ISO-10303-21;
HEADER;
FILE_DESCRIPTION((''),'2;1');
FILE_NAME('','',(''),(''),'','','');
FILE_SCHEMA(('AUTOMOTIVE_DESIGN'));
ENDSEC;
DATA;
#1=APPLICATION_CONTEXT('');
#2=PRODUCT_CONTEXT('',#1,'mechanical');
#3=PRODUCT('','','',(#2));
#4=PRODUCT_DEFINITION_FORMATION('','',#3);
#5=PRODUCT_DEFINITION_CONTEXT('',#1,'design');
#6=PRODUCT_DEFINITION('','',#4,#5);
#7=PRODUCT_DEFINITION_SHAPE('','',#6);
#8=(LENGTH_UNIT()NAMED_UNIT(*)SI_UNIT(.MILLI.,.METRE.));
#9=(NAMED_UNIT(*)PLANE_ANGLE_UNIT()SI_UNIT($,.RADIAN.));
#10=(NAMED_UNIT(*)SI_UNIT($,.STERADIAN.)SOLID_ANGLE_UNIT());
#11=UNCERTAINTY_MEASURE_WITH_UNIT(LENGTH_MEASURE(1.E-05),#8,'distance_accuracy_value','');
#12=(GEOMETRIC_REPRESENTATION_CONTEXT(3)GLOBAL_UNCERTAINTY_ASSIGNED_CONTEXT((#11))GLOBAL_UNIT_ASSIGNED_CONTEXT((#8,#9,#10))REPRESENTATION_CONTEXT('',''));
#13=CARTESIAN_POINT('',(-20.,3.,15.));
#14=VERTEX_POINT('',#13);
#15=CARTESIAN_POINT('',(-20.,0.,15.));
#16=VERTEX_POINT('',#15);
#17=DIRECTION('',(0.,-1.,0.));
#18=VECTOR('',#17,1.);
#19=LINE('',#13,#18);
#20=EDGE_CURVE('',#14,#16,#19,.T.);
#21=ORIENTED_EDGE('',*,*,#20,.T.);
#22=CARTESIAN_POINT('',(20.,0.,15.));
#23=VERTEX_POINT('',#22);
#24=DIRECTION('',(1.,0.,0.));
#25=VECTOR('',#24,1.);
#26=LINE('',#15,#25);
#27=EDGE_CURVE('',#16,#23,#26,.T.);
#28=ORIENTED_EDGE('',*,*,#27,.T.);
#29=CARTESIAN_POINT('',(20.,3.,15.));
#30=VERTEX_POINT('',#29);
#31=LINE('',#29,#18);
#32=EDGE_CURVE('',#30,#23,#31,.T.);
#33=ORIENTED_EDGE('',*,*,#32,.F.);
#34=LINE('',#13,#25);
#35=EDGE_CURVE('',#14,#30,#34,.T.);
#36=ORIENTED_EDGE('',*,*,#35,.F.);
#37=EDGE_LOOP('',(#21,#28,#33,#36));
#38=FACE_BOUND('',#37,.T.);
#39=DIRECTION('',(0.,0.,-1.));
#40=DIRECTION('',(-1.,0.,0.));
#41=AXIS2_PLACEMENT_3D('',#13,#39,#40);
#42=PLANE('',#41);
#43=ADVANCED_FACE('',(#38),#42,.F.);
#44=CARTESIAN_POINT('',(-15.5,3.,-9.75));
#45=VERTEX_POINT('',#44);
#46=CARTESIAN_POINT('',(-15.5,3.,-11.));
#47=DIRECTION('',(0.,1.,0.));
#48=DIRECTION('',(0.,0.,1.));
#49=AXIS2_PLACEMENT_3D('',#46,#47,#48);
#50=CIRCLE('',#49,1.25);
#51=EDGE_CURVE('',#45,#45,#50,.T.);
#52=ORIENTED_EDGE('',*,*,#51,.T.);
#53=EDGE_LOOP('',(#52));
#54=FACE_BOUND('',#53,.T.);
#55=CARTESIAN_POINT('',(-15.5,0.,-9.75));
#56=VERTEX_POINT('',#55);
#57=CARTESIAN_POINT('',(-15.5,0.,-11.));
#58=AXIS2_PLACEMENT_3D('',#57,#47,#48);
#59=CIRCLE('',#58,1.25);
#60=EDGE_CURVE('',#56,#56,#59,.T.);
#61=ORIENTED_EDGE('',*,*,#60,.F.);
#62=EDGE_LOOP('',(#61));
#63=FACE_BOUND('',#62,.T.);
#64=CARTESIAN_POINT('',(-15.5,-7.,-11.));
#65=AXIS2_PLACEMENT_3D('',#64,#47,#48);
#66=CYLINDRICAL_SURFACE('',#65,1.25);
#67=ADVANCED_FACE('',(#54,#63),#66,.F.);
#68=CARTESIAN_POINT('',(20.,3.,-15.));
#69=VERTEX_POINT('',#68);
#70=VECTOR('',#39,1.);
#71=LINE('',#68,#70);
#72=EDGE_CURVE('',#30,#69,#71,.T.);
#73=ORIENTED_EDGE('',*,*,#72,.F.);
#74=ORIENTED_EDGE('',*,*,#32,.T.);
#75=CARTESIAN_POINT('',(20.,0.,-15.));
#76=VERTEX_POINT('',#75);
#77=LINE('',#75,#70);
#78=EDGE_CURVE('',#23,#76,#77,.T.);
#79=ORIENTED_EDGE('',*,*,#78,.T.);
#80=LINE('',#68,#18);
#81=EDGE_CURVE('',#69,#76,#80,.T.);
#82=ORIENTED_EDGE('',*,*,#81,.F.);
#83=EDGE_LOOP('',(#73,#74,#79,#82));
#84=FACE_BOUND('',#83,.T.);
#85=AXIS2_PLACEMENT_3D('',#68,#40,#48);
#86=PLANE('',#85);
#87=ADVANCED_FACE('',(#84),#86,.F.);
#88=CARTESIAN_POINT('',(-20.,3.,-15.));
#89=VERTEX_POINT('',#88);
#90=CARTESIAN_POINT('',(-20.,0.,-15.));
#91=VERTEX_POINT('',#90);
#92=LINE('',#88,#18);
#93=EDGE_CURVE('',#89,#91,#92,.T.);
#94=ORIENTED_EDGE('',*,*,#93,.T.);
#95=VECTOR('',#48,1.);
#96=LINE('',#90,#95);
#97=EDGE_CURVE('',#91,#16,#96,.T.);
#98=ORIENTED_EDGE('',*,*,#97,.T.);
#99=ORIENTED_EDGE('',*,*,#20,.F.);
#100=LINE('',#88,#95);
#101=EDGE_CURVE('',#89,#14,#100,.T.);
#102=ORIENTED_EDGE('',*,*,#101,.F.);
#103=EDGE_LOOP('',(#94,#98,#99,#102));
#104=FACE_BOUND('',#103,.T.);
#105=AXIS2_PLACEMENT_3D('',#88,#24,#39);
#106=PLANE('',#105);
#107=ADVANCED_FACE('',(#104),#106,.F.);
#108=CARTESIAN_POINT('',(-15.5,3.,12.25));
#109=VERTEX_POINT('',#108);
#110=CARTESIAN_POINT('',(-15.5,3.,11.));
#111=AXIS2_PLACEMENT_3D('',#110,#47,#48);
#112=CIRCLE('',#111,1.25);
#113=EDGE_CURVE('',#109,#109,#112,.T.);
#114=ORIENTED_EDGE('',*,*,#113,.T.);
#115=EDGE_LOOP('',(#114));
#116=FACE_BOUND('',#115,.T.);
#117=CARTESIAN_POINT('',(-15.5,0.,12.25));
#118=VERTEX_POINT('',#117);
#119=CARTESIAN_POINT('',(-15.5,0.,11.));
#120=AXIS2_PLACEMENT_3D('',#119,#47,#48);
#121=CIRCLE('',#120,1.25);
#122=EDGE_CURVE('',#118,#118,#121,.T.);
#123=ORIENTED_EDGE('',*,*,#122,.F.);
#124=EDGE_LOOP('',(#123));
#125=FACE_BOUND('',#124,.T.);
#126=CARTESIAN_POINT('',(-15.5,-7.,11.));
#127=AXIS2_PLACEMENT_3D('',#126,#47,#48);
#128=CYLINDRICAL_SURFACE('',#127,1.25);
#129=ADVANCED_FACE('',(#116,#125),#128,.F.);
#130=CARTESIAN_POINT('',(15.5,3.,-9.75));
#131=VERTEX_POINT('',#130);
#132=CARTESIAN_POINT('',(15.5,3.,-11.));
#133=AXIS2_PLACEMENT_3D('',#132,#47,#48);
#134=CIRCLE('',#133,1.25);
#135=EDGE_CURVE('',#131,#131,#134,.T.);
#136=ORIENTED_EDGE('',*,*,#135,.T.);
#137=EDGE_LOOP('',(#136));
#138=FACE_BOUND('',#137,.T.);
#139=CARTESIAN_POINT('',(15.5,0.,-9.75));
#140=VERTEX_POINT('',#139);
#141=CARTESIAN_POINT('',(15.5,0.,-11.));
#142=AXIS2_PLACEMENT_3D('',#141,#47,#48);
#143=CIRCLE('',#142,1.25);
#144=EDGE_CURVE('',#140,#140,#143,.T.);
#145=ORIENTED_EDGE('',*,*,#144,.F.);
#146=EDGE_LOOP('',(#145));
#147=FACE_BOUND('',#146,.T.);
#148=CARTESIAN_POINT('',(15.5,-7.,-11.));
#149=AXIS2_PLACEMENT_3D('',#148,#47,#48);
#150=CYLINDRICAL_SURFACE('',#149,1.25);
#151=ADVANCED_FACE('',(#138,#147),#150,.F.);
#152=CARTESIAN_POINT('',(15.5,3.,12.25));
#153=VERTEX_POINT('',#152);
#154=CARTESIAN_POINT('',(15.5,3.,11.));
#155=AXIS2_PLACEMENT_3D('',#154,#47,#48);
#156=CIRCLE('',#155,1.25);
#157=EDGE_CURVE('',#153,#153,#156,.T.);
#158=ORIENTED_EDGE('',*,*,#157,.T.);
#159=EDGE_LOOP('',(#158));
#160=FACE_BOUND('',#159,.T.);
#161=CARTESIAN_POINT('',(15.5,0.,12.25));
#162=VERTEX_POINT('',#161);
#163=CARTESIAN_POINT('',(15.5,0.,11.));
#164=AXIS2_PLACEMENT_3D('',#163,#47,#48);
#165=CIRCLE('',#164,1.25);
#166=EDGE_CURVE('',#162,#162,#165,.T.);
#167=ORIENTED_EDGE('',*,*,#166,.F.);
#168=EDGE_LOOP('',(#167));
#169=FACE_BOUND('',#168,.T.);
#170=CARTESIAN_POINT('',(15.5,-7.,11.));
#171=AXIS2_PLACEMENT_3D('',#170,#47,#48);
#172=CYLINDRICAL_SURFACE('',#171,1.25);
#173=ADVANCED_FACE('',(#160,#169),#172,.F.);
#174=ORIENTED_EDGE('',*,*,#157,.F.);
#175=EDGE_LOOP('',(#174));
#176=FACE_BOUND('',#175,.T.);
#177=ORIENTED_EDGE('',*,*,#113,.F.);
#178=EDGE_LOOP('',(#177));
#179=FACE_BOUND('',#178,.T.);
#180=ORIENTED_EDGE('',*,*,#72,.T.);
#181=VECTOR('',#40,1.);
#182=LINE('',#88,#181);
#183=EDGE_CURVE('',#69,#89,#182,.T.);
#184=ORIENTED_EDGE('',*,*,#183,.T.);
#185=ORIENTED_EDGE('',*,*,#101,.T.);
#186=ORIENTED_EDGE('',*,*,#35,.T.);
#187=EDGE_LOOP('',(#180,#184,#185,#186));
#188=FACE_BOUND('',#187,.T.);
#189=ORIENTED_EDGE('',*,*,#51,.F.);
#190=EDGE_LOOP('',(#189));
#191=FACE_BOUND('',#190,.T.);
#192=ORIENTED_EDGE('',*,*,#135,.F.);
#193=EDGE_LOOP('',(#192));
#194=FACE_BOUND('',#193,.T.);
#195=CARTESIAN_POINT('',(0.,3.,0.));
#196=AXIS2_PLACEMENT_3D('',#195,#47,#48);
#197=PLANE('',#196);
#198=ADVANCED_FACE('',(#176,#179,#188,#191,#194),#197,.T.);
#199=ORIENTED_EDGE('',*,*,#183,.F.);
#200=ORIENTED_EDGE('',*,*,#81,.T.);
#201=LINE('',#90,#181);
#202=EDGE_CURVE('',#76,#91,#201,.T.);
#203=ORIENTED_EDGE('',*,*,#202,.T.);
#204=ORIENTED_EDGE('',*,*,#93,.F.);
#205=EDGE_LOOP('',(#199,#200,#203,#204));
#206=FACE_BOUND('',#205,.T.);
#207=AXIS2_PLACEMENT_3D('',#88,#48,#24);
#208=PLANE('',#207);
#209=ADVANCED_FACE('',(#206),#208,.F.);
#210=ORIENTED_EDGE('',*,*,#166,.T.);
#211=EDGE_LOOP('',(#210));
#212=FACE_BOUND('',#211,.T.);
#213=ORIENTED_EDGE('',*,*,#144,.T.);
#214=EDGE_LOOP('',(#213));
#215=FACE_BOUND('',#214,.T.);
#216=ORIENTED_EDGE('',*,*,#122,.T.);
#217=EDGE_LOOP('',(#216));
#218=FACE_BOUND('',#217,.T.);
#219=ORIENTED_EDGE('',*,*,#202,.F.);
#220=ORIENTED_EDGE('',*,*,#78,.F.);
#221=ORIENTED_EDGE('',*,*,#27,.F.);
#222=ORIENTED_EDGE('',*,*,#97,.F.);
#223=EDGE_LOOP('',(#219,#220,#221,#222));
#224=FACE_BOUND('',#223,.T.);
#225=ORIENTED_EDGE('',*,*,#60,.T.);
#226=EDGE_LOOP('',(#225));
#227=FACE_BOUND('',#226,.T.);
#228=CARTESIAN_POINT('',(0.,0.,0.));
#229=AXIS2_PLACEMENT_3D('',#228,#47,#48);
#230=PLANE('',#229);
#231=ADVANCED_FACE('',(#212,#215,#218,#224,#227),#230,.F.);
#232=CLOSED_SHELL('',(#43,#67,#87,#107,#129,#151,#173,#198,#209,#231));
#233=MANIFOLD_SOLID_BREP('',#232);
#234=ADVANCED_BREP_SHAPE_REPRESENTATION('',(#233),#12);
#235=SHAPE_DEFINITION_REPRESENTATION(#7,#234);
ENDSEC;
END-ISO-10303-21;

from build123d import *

# Parameters (mm, degrees)
SKETCH_1_W          = 40
SKETCH_1_H          = 30
EXTRUDE_1_DEPTH     = 3
SKETCH_2_R          = 1.25
CUT_EXTRUDE_1_DEPTH = 10


with BuildPart() as part:
    # 草图1 → 凸台-拉伸1 (new body)
    with BuildSketch(Plane(origin=(0, 0, 0), x_dir=(1, 0, 0), z_dir=(0, 1, 0))):
        Rectangle(SKETCH_1_W, SKETCH_1_H)
    extrude(amount=EXTRUDE_1_DEPTH)

    # 草图2 → 切除-拉伸1 (cut)
    with BuildSketch(Plane(origin=(0, 3, 0), x_dir=(1, 0, 0), z_dir=(0, 1, 0))):
        with Locations(Location((15.5, 11, 0), (0, 0, 270))):
            Circle(SKETCH_2_R)
        with Locations(Location((-15.5, 11, 0), (0, 0, 270))):
            Circle(SKETCH_2_R)
        with Locations(Location((-15.5, -11, 0), (0, 0, 270))):
            Circle(SKETCH_2_R)
        with Locations(Location((15.5, -11, 0), (0, 0, 270))):
            Circle(SKETCH_2_R)
    extrude(amount=-CUT_EXTRUDE_1_DEPTH, mode=Mode.SUBTRACT)


solid = part.part
